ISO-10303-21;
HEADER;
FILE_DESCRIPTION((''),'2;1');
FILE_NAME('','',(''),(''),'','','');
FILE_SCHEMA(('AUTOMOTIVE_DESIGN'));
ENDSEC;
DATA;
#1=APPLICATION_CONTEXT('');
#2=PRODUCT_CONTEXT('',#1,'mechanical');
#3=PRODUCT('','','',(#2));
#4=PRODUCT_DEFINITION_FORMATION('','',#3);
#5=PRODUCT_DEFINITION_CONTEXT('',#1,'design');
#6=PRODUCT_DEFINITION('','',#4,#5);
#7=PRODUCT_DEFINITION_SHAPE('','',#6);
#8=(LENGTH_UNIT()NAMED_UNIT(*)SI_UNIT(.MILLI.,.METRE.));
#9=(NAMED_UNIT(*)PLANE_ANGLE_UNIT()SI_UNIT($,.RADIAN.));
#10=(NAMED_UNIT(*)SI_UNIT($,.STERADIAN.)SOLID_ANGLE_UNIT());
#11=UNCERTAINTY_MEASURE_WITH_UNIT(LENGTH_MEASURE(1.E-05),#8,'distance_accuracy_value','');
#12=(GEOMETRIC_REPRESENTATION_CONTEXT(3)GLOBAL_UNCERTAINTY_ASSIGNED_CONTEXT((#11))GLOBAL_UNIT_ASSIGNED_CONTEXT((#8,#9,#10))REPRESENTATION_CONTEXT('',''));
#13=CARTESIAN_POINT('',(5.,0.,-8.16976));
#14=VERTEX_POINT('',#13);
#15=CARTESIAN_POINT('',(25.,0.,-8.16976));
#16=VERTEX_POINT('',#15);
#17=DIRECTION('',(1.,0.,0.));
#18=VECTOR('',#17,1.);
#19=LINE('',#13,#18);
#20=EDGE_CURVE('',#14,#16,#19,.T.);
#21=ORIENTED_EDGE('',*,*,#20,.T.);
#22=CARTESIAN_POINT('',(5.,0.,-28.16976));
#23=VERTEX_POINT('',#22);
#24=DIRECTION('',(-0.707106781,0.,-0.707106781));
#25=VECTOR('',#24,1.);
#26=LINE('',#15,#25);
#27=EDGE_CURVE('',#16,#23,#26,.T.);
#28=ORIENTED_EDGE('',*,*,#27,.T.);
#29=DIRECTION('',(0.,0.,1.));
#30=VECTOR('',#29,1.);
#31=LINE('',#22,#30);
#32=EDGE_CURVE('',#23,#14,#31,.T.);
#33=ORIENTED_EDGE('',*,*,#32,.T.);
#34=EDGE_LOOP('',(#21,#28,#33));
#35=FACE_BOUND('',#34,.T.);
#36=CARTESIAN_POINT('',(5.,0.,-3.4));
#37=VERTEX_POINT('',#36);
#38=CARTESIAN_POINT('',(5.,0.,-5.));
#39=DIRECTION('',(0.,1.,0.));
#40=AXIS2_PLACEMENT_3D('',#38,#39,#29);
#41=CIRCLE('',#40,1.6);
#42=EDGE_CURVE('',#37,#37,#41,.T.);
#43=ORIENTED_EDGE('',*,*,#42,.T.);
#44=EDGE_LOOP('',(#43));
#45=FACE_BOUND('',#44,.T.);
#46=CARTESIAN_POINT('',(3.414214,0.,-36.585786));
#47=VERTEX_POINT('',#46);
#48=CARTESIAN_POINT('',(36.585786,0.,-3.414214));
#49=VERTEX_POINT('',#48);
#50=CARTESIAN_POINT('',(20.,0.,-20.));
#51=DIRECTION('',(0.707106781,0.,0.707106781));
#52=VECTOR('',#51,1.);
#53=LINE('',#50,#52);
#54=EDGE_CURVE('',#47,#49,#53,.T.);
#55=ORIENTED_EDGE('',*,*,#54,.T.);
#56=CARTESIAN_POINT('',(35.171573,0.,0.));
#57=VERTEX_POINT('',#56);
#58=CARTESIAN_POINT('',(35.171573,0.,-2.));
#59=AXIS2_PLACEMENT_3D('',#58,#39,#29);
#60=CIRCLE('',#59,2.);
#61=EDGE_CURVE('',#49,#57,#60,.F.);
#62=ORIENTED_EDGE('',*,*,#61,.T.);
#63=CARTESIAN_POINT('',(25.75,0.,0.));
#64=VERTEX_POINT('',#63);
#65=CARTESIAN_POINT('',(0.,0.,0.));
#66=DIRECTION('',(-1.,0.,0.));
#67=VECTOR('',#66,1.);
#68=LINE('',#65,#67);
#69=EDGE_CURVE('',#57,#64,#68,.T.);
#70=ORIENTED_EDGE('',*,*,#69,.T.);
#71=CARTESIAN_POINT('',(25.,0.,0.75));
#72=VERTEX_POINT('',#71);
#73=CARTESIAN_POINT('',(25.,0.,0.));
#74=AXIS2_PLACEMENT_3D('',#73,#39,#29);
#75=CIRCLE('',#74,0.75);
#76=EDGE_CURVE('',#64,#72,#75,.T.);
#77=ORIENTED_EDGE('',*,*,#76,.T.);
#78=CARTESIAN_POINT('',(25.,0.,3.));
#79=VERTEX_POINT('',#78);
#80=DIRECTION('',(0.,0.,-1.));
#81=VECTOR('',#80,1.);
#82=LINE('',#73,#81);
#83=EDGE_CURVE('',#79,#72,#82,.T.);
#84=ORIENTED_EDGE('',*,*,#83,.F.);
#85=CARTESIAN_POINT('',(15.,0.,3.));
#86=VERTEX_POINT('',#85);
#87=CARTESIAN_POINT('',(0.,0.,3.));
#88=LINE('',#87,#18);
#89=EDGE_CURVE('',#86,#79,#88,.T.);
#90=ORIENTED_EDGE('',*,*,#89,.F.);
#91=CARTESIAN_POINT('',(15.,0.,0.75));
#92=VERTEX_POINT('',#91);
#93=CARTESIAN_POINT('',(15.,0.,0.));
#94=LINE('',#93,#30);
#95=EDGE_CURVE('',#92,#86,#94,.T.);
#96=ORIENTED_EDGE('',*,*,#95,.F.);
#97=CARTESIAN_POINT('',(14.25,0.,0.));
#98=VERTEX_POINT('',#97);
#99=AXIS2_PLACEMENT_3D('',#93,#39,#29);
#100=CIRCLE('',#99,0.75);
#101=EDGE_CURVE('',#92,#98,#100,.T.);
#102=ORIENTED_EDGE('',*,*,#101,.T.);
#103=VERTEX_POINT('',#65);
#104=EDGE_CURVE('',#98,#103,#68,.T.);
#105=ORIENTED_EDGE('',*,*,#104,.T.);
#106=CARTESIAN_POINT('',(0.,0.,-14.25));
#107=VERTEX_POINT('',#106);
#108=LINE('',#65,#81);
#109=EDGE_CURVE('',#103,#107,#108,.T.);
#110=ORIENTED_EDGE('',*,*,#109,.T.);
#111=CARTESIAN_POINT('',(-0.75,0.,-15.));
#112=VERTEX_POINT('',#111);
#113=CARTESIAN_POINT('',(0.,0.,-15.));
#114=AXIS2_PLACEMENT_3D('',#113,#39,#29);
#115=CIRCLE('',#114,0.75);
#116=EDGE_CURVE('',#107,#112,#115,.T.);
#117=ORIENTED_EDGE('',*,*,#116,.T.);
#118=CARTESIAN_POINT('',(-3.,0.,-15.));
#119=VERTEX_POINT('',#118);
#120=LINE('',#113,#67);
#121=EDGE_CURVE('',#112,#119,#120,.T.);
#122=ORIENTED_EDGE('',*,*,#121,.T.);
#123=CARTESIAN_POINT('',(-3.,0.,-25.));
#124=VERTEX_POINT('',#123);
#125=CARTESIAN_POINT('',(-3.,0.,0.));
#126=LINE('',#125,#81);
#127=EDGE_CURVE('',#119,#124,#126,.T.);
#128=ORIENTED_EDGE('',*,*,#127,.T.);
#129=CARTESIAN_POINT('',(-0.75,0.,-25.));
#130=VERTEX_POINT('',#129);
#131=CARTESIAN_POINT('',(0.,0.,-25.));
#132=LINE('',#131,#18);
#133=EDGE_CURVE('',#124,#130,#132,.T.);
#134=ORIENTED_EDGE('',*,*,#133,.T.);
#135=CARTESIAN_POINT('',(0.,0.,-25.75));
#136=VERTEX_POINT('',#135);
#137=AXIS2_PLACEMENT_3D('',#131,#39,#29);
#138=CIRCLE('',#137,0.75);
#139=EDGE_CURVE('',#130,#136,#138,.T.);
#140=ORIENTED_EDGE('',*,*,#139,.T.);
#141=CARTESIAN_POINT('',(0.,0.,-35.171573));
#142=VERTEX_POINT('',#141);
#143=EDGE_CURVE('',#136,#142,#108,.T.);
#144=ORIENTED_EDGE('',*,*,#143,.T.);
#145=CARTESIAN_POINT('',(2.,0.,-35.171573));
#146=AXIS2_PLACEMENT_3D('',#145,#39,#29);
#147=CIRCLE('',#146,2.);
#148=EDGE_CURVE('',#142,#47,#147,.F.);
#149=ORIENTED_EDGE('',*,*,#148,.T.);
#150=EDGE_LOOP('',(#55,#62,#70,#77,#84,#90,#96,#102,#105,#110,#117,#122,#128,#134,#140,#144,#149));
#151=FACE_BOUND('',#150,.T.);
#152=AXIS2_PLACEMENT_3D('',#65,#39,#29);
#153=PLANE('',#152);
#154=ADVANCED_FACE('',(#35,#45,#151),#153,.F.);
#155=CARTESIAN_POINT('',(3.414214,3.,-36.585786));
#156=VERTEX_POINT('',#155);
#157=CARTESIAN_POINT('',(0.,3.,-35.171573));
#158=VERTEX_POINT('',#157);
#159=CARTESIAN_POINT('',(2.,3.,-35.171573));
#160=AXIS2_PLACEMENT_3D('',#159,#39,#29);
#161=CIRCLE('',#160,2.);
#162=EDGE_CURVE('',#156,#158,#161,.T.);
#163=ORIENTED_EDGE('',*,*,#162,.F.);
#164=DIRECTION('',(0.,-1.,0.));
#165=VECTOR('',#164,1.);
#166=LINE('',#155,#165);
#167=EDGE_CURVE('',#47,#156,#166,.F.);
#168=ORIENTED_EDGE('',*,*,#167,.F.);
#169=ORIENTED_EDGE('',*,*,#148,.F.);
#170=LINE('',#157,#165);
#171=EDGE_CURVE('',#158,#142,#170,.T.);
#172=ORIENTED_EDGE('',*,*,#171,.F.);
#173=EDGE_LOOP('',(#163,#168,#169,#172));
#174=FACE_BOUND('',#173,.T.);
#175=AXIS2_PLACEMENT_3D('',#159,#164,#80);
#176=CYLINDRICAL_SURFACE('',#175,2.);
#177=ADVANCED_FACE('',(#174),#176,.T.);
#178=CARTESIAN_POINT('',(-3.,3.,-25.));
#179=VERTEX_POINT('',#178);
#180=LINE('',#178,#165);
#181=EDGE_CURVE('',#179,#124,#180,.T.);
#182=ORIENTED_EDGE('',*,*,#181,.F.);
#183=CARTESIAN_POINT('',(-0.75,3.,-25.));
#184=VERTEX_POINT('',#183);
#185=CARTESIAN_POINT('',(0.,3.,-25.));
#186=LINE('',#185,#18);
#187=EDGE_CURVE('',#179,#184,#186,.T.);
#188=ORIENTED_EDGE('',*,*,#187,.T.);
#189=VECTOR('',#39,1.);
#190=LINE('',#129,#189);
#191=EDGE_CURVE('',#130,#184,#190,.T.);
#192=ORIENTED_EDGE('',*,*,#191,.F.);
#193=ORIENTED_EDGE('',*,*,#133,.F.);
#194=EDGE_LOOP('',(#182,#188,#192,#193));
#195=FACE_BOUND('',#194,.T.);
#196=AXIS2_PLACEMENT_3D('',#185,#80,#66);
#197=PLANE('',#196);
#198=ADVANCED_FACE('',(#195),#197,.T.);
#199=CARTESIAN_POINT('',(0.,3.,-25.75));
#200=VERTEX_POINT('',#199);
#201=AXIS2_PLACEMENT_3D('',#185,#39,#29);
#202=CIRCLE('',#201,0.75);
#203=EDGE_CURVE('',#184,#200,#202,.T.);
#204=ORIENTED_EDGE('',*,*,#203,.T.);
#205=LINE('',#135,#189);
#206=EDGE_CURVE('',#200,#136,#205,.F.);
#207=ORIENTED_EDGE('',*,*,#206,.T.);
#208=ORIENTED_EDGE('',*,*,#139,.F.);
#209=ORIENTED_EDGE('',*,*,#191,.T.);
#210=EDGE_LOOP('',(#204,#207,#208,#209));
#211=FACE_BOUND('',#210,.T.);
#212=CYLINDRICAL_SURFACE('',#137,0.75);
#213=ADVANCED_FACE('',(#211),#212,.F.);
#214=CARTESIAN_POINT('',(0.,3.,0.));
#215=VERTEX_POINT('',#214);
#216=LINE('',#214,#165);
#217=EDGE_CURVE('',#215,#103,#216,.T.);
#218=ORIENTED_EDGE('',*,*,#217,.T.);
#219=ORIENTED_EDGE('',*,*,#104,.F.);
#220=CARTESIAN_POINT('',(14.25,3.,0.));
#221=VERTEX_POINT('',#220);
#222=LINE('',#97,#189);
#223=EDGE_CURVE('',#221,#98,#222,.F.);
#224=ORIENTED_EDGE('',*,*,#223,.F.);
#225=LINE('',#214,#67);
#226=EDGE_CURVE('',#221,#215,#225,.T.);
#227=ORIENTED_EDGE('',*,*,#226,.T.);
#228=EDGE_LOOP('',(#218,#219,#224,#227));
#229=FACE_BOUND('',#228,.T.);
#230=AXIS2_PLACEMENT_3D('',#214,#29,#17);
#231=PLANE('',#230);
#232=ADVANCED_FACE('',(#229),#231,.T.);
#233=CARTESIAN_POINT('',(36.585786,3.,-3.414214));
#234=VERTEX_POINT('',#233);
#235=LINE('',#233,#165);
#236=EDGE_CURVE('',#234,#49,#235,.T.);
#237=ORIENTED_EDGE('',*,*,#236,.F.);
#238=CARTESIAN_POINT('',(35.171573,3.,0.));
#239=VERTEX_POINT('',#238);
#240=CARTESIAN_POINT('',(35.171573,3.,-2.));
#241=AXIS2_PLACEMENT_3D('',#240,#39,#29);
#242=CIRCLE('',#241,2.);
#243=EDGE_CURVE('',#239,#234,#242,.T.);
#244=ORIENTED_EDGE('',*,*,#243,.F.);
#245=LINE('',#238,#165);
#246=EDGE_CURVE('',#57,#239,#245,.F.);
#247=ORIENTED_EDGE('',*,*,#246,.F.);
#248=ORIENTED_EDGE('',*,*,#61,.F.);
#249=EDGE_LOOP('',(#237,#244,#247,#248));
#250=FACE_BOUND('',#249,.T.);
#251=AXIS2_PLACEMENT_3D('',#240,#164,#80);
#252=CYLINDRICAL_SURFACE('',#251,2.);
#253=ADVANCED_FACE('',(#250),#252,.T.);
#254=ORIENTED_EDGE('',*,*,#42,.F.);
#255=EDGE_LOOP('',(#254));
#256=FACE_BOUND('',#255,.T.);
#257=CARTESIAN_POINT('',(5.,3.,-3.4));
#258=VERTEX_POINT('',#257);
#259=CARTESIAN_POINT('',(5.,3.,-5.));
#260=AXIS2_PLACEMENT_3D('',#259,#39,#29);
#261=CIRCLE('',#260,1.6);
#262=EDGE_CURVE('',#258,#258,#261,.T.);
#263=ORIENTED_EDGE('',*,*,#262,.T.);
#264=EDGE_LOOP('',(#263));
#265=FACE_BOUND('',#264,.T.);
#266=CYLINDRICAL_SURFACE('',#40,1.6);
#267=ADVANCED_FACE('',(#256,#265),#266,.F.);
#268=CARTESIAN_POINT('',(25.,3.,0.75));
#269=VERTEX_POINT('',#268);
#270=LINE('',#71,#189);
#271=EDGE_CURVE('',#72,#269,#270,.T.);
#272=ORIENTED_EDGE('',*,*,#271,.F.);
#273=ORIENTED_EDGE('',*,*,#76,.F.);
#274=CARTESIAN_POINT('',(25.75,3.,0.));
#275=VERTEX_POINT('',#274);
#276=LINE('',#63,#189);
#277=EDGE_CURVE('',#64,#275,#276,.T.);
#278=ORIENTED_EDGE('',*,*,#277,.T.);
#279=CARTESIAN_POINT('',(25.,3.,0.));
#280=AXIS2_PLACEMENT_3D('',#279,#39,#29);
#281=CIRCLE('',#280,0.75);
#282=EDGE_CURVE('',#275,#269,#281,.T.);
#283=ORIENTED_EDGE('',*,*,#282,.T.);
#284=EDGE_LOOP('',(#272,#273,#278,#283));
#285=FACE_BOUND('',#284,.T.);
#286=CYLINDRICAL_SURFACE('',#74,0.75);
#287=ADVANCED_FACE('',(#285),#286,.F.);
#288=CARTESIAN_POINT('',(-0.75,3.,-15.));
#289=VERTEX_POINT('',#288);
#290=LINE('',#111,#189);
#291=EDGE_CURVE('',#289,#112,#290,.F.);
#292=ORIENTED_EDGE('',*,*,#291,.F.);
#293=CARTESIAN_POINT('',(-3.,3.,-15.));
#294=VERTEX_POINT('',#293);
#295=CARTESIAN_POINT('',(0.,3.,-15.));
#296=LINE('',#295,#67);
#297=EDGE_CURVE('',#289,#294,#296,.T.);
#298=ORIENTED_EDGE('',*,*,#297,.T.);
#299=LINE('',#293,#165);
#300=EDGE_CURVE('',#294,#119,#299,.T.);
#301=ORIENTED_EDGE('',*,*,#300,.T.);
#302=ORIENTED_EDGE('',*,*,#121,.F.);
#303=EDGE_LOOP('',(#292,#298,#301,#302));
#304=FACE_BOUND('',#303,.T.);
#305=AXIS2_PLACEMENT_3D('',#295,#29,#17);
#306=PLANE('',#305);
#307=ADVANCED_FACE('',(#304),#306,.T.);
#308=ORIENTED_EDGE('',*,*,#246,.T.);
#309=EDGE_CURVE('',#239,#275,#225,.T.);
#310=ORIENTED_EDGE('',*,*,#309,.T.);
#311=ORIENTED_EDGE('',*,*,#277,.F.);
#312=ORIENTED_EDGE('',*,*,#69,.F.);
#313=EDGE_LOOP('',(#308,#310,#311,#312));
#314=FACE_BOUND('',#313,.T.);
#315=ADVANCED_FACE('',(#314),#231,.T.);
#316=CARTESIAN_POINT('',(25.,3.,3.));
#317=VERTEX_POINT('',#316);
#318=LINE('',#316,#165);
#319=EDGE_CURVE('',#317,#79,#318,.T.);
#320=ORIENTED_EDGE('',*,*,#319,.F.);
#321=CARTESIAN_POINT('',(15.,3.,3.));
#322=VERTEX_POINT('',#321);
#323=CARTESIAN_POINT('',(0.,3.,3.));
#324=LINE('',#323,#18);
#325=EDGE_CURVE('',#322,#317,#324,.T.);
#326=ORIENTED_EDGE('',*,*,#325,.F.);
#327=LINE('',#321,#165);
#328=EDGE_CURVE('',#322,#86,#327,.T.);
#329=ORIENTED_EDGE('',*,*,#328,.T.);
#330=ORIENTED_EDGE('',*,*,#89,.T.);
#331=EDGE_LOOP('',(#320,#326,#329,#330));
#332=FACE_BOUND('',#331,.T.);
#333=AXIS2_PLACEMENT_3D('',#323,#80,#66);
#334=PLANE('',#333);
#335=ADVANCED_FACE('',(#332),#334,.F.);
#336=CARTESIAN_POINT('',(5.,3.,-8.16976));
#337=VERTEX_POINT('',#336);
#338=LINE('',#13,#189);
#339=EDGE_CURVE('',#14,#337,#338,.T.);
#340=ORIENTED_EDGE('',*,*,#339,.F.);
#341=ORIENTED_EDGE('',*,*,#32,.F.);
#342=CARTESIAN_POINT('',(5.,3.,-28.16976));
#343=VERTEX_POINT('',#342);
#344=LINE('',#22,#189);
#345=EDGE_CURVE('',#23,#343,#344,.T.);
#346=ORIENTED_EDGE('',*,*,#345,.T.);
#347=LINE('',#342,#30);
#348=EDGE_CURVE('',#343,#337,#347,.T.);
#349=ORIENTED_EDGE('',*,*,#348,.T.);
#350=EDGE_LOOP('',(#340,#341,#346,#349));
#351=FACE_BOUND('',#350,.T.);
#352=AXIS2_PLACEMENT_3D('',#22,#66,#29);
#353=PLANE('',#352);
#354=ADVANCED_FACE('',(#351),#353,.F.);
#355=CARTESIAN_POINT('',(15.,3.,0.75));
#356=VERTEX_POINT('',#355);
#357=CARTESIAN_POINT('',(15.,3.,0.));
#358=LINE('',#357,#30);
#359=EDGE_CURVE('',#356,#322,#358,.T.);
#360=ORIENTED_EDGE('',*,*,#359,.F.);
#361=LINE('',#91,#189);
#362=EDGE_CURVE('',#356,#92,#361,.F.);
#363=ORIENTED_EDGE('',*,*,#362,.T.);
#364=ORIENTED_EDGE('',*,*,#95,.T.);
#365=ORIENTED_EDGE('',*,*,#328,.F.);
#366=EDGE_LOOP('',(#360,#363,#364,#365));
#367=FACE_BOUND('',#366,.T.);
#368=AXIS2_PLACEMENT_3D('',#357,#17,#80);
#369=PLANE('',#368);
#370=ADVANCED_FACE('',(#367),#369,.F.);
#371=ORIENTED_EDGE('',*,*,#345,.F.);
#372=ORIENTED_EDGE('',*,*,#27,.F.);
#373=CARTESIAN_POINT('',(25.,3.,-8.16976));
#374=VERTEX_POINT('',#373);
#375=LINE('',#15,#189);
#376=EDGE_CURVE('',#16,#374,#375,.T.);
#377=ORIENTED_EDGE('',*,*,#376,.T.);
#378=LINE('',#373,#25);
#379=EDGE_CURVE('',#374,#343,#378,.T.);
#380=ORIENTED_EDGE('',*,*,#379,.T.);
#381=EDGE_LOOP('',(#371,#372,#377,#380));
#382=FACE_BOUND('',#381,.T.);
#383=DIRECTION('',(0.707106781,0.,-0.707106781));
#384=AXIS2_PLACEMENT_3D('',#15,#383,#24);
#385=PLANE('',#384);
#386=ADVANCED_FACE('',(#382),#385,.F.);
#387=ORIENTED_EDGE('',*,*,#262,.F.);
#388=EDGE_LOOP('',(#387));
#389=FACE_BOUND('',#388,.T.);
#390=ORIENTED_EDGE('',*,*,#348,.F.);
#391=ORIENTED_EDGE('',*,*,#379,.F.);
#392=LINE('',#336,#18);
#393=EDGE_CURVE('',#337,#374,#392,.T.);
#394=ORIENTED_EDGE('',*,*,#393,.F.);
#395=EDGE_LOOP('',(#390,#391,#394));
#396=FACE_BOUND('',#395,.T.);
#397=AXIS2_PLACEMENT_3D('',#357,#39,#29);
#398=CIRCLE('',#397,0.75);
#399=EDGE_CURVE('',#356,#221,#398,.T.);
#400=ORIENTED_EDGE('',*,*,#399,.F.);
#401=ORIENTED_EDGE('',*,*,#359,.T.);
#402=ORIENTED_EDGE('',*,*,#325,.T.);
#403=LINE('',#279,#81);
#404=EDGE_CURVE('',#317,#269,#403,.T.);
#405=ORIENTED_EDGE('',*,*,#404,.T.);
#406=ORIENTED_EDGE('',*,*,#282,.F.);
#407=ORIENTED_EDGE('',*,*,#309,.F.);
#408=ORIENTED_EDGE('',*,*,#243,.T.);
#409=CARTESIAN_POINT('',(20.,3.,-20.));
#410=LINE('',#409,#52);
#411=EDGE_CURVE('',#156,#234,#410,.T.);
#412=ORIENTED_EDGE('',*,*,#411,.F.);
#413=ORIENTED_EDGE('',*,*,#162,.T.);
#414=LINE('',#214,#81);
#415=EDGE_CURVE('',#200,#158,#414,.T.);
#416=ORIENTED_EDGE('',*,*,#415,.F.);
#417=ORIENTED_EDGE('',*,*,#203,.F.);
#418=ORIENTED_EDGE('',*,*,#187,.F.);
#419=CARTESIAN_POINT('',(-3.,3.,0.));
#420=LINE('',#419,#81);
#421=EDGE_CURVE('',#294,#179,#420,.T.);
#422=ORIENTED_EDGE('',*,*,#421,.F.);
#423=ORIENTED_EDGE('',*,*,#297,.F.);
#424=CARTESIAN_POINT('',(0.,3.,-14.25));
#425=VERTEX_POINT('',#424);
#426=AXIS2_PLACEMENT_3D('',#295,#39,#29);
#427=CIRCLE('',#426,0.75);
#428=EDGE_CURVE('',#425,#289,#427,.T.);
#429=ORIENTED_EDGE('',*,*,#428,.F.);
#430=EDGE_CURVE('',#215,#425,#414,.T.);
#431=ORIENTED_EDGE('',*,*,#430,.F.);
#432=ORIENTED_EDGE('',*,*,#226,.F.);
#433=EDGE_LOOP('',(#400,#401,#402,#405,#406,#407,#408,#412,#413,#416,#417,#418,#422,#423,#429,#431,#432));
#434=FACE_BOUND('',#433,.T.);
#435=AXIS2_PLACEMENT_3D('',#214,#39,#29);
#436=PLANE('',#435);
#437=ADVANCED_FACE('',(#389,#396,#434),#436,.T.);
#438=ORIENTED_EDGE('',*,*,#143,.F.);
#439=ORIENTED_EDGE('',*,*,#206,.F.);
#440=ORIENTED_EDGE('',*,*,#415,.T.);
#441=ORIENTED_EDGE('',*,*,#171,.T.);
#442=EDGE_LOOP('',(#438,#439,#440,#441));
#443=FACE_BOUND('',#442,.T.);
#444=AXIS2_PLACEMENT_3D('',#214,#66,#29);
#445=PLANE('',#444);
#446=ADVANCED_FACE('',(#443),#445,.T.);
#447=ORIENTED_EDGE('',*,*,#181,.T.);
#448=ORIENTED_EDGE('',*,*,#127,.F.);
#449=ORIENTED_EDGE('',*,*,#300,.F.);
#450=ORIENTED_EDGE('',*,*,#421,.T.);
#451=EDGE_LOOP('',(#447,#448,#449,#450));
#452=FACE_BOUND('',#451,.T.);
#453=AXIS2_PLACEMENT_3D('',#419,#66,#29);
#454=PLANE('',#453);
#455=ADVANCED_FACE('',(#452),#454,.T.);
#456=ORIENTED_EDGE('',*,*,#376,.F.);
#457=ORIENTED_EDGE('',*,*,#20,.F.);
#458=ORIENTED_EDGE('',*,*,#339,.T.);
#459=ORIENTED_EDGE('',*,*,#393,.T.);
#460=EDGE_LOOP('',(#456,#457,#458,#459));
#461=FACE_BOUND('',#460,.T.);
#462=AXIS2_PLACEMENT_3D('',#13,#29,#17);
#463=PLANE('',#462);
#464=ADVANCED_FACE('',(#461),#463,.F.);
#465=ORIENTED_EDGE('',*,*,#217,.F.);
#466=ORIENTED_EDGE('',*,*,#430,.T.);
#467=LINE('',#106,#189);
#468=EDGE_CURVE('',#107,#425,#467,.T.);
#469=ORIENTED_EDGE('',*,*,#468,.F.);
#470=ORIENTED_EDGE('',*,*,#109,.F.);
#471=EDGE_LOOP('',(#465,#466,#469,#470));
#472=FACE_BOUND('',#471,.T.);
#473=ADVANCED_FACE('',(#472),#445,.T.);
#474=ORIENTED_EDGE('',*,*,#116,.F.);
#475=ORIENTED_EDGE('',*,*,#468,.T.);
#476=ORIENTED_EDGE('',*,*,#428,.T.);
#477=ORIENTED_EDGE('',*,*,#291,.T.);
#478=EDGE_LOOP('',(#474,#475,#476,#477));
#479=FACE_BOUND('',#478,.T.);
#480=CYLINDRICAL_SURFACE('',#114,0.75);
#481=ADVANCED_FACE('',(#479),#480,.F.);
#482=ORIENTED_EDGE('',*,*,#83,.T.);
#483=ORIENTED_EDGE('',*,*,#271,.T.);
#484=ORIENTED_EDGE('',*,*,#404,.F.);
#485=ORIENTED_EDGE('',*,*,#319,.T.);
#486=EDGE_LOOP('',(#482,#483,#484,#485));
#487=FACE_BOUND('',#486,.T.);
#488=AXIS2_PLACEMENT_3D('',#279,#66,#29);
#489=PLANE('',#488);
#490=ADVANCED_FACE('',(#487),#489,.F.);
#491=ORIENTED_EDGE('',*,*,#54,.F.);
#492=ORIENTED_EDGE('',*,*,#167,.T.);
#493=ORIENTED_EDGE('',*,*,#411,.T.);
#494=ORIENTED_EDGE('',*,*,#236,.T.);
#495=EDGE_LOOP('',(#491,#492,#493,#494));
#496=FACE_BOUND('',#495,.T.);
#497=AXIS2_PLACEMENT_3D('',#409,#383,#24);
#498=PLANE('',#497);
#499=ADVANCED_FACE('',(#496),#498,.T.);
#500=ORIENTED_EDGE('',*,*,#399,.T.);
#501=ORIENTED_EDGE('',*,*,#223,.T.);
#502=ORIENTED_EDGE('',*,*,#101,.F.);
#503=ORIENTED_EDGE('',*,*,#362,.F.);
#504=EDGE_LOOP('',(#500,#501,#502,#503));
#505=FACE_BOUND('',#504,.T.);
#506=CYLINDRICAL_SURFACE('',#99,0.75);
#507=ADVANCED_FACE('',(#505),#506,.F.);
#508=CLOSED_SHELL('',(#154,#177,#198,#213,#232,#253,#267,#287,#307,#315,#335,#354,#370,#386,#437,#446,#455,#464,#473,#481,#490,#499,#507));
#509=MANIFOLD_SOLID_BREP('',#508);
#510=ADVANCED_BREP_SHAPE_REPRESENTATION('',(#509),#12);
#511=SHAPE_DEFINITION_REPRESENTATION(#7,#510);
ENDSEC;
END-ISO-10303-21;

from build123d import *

# Parameters (mm, degrees)
SKETCH_1_W          = 3
SKETCH_1_H          = 10
SKETCH_1_W_2        = 10
SKETCH_1_H_2        = 3
EXTRUDE_1_DEPTH     = 3
SKETCH_2_R          = 1.6
SKETCH_2_R_2        = 0.75
CUT_EXTRUDE_1_DEPTH = 57.648036153
FILLET_1_R          = 2


with BuildPart() as part:
    # 草图1 → 凸台-拉伸1 (new body)
    with BuildSketch(Plane(origin=(0, 0, 0), x_dir=(1, 0, 0), z_dir=(0, 1, 0))):
        Polygon((40, 0), (0, 0), (0, 40), align=None)
        with Locations((-1.5, 20)):
            Rectangle(SKETCH_1_W, SKETCH_1_H)
        with Locations((20, -1.5)):
            Rectangle(SKETCH_1_W_2, SKETCH_1_H_2)
    extrude(amount=EXTRUDE_1_DEPTH)

    # 草图2 → 切除-拉伸1 (cut, through all)
    with BuildSketch(Plane(origin=(0, 3, 0), x_dir=(1, 0, 0), z_dir=(0, 1, 0))):
        with Locations(Location((5, 5, 0), (0, 0, 270))):
            Circle(SKETCH_2_R)
        with Locations((0, 25)):
            Circle(SKETCH_2_R_2)
        with Locations((0, 15)):
            Circle(SKETCH_2_R_2)
        with Locations((15, 0)):
            Circle(SKETCH_2_R_2)
        with Locations((25, 0)):
            Circle(SKETCH_2_R_2)
        Polygon((5, 28.169760455), (5, 8.169760455), (25, 8.169760455), align=None)
    extrude(amount=-CUT_EXTRUDE_1_DEPTH, mode=Mode.SUBTRACT)

    # 圆角1
    fillet_1_edges = [part.edges().sort_by_distance(p)[0] for p in [
        (0, 1.5, -40),
        (40, 1.5, 0),
    ]]
    fillet(fillet_1_edges, radius=FILLET_1_R)


solid = part.part
